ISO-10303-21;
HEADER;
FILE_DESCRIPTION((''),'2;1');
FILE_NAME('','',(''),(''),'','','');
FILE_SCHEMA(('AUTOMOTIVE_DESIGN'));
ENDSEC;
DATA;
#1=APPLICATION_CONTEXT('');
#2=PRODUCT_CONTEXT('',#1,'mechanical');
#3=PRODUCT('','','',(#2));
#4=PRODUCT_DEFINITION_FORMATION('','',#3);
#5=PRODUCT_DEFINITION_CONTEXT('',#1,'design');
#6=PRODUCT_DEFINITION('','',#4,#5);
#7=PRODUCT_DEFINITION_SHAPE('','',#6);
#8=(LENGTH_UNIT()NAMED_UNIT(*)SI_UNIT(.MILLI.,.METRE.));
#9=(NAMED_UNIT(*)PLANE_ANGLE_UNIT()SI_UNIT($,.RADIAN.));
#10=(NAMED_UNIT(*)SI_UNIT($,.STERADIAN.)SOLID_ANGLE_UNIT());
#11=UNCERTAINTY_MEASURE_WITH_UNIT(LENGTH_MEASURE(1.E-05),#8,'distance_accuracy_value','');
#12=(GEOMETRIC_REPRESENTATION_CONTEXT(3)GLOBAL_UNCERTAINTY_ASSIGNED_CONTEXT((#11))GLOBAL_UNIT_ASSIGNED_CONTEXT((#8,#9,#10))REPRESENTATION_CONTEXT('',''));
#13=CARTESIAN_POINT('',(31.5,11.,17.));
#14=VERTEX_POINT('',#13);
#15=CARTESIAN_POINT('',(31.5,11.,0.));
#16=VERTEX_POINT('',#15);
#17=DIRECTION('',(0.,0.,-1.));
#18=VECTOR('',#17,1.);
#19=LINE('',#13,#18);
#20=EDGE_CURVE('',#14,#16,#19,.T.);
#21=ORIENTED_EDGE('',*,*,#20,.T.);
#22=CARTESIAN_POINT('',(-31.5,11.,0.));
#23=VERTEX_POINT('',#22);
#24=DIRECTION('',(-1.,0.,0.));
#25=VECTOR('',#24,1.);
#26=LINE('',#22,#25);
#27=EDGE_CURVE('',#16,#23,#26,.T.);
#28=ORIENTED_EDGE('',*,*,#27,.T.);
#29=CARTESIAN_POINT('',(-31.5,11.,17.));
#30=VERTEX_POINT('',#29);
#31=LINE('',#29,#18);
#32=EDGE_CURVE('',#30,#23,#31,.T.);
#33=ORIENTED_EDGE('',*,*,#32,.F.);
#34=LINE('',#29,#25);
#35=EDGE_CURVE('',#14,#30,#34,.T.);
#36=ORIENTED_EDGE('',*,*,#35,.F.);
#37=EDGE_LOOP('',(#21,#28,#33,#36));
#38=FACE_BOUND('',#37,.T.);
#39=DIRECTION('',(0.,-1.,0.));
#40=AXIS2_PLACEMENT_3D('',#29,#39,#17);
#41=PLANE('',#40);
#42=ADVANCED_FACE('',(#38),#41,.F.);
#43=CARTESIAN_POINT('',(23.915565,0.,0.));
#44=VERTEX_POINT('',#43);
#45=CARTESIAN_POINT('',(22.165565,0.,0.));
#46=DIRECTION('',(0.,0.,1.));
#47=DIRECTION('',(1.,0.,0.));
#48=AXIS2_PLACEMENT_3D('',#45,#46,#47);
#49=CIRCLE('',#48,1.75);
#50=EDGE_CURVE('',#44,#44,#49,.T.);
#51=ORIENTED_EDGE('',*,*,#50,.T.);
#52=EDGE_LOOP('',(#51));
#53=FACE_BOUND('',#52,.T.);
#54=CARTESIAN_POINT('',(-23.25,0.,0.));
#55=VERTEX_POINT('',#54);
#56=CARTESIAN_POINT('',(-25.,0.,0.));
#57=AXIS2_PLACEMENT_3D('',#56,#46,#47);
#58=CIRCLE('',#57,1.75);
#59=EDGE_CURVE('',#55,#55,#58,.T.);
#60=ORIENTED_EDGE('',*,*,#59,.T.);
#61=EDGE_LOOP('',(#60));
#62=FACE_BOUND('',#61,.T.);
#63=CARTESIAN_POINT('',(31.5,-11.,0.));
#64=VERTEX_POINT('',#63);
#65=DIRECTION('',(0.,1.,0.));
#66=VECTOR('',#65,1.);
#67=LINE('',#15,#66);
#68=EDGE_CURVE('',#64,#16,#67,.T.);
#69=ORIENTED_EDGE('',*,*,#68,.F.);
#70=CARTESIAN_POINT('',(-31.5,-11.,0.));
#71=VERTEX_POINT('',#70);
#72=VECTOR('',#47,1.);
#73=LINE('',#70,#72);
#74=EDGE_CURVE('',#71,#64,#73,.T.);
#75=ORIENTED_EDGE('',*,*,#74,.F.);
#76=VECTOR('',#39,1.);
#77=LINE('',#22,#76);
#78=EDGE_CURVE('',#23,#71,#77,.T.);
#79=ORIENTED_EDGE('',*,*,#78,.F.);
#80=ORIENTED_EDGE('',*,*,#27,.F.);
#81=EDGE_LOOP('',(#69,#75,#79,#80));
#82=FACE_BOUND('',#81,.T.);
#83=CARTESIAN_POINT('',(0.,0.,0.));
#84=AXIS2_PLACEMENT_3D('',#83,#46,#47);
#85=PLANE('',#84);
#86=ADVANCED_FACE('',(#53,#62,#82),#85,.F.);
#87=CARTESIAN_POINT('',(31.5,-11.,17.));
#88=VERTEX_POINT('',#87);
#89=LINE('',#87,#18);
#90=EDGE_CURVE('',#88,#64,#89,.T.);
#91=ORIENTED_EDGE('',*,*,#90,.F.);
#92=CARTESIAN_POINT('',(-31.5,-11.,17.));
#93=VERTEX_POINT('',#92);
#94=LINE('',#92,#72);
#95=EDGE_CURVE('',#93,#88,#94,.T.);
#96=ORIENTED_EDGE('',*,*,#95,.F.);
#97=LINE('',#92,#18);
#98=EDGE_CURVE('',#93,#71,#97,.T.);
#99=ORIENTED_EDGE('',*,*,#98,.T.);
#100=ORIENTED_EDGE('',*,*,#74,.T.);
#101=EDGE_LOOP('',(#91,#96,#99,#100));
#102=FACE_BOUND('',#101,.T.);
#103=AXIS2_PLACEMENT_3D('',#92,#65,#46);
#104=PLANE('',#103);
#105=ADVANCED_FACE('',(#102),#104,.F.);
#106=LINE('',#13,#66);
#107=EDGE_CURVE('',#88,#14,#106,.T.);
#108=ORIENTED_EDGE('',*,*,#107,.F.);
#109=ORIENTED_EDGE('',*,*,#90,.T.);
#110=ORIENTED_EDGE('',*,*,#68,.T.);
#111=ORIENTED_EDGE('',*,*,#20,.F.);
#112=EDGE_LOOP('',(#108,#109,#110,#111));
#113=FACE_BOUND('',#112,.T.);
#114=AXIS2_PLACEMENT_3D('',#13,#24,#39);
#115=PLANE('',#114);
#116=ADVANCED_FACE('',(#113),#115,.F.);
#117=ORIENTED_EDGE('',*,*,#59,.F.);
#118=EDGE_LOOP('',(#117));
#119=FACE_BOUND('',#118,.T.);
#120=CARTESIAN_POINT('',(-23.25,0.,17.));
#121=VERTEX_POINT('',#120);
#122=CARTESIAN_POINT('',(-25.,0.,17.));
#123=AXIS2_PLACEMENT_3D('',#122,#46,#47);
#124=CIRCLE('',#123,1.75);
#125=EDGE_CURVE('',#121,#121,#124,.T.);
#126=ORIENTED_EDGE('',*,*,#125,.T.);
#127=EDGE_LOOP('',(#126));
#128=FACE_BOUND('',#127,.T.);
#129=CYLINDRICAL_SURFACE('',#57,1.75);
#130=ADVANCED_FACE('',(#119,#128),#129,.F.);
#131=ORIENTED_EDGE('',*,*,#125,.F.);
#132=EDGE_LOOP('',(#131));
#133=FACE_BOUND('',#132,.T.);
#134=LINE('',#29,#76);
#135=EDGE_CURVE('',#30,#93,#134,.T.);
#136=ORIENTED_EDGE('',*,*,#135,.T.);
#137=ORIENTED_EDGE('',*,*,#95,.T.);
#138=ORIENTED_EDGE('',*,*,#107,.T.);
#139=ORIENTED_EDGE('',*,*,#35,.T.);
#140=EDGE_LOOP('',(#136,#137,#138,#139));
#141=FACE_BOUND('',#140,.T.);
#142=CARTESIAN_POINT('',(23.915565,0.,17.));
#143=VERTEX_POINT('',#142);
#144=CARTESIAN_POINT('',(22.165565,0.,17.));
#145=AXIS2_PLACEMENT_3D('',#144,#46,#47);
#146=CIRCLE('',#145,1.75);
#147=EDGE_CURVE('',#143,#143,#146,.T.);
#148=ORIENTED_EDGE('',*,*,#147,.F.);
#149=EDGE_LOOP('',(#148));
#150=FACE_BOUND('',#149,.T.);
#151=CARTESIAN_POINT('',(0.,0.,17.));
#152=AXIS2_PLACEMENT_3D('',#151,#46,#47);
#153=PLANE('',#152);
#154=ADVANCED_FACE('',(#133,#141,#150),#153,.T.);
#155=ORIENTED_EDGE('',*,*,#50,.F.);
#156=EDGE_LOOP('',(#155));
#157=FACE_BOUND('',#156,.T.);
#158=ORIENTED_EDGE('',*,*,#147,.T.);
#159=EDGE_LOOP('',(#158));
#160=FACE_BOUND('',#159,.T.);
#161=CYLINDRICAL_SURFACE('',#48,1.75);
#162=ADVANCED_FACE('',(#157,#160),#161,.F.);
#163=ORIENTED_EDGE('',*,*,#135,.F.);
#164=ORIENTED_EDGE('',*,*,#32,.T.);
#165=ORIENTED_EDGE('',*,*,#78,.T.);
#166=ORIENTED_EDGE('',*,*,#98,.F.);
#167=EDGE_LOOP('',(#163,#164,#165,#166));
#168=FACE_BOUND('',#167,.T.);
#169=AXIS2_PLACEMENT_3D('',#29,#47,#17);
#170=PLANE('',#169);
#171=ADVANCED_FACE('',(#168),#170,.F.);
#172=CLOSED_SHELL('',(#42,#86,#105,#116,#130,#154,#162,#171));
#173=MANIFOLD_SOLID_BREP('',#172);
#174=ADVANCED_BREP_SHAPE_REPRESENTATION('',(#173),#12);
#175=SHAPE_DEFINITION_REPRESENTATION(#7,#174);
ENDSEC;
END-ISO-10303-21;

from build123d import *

# Parameters (mm, degrees)
SKETCH1_W           = 63
SKETCH1_H           = 22
BOSS_EXTRUDE1_DEPTH = 17
SKETCH2_R           = 1.75
CUT_EXTRUDE1_DEPTH  = 38.446628687


with BuildPart() as part:
    # Sketch1 → Boss-Extrude1 (new body)
    with BuildSketch(Plane.XY):
        Rectangle(SKETCH1_W, SKETCH1_H)
    extrude(amount=BOSS_EXTRUDE1_DEPTH)

    # Sketch2 → Cut-Extrude1 (cut, through all)
    with BuildSketch(Plane.XY.offset(17)):
        with Locations((-25, 0)):
            Circle(SKETCH2_R)
        with Locations((22.165564566, 0)):
            Circle(SKETCH2_R)
    extrude(amount=-CUT_EXTRUDE1_DEPTH, mode=Mode.SUBTRACT)


solid = part.part
